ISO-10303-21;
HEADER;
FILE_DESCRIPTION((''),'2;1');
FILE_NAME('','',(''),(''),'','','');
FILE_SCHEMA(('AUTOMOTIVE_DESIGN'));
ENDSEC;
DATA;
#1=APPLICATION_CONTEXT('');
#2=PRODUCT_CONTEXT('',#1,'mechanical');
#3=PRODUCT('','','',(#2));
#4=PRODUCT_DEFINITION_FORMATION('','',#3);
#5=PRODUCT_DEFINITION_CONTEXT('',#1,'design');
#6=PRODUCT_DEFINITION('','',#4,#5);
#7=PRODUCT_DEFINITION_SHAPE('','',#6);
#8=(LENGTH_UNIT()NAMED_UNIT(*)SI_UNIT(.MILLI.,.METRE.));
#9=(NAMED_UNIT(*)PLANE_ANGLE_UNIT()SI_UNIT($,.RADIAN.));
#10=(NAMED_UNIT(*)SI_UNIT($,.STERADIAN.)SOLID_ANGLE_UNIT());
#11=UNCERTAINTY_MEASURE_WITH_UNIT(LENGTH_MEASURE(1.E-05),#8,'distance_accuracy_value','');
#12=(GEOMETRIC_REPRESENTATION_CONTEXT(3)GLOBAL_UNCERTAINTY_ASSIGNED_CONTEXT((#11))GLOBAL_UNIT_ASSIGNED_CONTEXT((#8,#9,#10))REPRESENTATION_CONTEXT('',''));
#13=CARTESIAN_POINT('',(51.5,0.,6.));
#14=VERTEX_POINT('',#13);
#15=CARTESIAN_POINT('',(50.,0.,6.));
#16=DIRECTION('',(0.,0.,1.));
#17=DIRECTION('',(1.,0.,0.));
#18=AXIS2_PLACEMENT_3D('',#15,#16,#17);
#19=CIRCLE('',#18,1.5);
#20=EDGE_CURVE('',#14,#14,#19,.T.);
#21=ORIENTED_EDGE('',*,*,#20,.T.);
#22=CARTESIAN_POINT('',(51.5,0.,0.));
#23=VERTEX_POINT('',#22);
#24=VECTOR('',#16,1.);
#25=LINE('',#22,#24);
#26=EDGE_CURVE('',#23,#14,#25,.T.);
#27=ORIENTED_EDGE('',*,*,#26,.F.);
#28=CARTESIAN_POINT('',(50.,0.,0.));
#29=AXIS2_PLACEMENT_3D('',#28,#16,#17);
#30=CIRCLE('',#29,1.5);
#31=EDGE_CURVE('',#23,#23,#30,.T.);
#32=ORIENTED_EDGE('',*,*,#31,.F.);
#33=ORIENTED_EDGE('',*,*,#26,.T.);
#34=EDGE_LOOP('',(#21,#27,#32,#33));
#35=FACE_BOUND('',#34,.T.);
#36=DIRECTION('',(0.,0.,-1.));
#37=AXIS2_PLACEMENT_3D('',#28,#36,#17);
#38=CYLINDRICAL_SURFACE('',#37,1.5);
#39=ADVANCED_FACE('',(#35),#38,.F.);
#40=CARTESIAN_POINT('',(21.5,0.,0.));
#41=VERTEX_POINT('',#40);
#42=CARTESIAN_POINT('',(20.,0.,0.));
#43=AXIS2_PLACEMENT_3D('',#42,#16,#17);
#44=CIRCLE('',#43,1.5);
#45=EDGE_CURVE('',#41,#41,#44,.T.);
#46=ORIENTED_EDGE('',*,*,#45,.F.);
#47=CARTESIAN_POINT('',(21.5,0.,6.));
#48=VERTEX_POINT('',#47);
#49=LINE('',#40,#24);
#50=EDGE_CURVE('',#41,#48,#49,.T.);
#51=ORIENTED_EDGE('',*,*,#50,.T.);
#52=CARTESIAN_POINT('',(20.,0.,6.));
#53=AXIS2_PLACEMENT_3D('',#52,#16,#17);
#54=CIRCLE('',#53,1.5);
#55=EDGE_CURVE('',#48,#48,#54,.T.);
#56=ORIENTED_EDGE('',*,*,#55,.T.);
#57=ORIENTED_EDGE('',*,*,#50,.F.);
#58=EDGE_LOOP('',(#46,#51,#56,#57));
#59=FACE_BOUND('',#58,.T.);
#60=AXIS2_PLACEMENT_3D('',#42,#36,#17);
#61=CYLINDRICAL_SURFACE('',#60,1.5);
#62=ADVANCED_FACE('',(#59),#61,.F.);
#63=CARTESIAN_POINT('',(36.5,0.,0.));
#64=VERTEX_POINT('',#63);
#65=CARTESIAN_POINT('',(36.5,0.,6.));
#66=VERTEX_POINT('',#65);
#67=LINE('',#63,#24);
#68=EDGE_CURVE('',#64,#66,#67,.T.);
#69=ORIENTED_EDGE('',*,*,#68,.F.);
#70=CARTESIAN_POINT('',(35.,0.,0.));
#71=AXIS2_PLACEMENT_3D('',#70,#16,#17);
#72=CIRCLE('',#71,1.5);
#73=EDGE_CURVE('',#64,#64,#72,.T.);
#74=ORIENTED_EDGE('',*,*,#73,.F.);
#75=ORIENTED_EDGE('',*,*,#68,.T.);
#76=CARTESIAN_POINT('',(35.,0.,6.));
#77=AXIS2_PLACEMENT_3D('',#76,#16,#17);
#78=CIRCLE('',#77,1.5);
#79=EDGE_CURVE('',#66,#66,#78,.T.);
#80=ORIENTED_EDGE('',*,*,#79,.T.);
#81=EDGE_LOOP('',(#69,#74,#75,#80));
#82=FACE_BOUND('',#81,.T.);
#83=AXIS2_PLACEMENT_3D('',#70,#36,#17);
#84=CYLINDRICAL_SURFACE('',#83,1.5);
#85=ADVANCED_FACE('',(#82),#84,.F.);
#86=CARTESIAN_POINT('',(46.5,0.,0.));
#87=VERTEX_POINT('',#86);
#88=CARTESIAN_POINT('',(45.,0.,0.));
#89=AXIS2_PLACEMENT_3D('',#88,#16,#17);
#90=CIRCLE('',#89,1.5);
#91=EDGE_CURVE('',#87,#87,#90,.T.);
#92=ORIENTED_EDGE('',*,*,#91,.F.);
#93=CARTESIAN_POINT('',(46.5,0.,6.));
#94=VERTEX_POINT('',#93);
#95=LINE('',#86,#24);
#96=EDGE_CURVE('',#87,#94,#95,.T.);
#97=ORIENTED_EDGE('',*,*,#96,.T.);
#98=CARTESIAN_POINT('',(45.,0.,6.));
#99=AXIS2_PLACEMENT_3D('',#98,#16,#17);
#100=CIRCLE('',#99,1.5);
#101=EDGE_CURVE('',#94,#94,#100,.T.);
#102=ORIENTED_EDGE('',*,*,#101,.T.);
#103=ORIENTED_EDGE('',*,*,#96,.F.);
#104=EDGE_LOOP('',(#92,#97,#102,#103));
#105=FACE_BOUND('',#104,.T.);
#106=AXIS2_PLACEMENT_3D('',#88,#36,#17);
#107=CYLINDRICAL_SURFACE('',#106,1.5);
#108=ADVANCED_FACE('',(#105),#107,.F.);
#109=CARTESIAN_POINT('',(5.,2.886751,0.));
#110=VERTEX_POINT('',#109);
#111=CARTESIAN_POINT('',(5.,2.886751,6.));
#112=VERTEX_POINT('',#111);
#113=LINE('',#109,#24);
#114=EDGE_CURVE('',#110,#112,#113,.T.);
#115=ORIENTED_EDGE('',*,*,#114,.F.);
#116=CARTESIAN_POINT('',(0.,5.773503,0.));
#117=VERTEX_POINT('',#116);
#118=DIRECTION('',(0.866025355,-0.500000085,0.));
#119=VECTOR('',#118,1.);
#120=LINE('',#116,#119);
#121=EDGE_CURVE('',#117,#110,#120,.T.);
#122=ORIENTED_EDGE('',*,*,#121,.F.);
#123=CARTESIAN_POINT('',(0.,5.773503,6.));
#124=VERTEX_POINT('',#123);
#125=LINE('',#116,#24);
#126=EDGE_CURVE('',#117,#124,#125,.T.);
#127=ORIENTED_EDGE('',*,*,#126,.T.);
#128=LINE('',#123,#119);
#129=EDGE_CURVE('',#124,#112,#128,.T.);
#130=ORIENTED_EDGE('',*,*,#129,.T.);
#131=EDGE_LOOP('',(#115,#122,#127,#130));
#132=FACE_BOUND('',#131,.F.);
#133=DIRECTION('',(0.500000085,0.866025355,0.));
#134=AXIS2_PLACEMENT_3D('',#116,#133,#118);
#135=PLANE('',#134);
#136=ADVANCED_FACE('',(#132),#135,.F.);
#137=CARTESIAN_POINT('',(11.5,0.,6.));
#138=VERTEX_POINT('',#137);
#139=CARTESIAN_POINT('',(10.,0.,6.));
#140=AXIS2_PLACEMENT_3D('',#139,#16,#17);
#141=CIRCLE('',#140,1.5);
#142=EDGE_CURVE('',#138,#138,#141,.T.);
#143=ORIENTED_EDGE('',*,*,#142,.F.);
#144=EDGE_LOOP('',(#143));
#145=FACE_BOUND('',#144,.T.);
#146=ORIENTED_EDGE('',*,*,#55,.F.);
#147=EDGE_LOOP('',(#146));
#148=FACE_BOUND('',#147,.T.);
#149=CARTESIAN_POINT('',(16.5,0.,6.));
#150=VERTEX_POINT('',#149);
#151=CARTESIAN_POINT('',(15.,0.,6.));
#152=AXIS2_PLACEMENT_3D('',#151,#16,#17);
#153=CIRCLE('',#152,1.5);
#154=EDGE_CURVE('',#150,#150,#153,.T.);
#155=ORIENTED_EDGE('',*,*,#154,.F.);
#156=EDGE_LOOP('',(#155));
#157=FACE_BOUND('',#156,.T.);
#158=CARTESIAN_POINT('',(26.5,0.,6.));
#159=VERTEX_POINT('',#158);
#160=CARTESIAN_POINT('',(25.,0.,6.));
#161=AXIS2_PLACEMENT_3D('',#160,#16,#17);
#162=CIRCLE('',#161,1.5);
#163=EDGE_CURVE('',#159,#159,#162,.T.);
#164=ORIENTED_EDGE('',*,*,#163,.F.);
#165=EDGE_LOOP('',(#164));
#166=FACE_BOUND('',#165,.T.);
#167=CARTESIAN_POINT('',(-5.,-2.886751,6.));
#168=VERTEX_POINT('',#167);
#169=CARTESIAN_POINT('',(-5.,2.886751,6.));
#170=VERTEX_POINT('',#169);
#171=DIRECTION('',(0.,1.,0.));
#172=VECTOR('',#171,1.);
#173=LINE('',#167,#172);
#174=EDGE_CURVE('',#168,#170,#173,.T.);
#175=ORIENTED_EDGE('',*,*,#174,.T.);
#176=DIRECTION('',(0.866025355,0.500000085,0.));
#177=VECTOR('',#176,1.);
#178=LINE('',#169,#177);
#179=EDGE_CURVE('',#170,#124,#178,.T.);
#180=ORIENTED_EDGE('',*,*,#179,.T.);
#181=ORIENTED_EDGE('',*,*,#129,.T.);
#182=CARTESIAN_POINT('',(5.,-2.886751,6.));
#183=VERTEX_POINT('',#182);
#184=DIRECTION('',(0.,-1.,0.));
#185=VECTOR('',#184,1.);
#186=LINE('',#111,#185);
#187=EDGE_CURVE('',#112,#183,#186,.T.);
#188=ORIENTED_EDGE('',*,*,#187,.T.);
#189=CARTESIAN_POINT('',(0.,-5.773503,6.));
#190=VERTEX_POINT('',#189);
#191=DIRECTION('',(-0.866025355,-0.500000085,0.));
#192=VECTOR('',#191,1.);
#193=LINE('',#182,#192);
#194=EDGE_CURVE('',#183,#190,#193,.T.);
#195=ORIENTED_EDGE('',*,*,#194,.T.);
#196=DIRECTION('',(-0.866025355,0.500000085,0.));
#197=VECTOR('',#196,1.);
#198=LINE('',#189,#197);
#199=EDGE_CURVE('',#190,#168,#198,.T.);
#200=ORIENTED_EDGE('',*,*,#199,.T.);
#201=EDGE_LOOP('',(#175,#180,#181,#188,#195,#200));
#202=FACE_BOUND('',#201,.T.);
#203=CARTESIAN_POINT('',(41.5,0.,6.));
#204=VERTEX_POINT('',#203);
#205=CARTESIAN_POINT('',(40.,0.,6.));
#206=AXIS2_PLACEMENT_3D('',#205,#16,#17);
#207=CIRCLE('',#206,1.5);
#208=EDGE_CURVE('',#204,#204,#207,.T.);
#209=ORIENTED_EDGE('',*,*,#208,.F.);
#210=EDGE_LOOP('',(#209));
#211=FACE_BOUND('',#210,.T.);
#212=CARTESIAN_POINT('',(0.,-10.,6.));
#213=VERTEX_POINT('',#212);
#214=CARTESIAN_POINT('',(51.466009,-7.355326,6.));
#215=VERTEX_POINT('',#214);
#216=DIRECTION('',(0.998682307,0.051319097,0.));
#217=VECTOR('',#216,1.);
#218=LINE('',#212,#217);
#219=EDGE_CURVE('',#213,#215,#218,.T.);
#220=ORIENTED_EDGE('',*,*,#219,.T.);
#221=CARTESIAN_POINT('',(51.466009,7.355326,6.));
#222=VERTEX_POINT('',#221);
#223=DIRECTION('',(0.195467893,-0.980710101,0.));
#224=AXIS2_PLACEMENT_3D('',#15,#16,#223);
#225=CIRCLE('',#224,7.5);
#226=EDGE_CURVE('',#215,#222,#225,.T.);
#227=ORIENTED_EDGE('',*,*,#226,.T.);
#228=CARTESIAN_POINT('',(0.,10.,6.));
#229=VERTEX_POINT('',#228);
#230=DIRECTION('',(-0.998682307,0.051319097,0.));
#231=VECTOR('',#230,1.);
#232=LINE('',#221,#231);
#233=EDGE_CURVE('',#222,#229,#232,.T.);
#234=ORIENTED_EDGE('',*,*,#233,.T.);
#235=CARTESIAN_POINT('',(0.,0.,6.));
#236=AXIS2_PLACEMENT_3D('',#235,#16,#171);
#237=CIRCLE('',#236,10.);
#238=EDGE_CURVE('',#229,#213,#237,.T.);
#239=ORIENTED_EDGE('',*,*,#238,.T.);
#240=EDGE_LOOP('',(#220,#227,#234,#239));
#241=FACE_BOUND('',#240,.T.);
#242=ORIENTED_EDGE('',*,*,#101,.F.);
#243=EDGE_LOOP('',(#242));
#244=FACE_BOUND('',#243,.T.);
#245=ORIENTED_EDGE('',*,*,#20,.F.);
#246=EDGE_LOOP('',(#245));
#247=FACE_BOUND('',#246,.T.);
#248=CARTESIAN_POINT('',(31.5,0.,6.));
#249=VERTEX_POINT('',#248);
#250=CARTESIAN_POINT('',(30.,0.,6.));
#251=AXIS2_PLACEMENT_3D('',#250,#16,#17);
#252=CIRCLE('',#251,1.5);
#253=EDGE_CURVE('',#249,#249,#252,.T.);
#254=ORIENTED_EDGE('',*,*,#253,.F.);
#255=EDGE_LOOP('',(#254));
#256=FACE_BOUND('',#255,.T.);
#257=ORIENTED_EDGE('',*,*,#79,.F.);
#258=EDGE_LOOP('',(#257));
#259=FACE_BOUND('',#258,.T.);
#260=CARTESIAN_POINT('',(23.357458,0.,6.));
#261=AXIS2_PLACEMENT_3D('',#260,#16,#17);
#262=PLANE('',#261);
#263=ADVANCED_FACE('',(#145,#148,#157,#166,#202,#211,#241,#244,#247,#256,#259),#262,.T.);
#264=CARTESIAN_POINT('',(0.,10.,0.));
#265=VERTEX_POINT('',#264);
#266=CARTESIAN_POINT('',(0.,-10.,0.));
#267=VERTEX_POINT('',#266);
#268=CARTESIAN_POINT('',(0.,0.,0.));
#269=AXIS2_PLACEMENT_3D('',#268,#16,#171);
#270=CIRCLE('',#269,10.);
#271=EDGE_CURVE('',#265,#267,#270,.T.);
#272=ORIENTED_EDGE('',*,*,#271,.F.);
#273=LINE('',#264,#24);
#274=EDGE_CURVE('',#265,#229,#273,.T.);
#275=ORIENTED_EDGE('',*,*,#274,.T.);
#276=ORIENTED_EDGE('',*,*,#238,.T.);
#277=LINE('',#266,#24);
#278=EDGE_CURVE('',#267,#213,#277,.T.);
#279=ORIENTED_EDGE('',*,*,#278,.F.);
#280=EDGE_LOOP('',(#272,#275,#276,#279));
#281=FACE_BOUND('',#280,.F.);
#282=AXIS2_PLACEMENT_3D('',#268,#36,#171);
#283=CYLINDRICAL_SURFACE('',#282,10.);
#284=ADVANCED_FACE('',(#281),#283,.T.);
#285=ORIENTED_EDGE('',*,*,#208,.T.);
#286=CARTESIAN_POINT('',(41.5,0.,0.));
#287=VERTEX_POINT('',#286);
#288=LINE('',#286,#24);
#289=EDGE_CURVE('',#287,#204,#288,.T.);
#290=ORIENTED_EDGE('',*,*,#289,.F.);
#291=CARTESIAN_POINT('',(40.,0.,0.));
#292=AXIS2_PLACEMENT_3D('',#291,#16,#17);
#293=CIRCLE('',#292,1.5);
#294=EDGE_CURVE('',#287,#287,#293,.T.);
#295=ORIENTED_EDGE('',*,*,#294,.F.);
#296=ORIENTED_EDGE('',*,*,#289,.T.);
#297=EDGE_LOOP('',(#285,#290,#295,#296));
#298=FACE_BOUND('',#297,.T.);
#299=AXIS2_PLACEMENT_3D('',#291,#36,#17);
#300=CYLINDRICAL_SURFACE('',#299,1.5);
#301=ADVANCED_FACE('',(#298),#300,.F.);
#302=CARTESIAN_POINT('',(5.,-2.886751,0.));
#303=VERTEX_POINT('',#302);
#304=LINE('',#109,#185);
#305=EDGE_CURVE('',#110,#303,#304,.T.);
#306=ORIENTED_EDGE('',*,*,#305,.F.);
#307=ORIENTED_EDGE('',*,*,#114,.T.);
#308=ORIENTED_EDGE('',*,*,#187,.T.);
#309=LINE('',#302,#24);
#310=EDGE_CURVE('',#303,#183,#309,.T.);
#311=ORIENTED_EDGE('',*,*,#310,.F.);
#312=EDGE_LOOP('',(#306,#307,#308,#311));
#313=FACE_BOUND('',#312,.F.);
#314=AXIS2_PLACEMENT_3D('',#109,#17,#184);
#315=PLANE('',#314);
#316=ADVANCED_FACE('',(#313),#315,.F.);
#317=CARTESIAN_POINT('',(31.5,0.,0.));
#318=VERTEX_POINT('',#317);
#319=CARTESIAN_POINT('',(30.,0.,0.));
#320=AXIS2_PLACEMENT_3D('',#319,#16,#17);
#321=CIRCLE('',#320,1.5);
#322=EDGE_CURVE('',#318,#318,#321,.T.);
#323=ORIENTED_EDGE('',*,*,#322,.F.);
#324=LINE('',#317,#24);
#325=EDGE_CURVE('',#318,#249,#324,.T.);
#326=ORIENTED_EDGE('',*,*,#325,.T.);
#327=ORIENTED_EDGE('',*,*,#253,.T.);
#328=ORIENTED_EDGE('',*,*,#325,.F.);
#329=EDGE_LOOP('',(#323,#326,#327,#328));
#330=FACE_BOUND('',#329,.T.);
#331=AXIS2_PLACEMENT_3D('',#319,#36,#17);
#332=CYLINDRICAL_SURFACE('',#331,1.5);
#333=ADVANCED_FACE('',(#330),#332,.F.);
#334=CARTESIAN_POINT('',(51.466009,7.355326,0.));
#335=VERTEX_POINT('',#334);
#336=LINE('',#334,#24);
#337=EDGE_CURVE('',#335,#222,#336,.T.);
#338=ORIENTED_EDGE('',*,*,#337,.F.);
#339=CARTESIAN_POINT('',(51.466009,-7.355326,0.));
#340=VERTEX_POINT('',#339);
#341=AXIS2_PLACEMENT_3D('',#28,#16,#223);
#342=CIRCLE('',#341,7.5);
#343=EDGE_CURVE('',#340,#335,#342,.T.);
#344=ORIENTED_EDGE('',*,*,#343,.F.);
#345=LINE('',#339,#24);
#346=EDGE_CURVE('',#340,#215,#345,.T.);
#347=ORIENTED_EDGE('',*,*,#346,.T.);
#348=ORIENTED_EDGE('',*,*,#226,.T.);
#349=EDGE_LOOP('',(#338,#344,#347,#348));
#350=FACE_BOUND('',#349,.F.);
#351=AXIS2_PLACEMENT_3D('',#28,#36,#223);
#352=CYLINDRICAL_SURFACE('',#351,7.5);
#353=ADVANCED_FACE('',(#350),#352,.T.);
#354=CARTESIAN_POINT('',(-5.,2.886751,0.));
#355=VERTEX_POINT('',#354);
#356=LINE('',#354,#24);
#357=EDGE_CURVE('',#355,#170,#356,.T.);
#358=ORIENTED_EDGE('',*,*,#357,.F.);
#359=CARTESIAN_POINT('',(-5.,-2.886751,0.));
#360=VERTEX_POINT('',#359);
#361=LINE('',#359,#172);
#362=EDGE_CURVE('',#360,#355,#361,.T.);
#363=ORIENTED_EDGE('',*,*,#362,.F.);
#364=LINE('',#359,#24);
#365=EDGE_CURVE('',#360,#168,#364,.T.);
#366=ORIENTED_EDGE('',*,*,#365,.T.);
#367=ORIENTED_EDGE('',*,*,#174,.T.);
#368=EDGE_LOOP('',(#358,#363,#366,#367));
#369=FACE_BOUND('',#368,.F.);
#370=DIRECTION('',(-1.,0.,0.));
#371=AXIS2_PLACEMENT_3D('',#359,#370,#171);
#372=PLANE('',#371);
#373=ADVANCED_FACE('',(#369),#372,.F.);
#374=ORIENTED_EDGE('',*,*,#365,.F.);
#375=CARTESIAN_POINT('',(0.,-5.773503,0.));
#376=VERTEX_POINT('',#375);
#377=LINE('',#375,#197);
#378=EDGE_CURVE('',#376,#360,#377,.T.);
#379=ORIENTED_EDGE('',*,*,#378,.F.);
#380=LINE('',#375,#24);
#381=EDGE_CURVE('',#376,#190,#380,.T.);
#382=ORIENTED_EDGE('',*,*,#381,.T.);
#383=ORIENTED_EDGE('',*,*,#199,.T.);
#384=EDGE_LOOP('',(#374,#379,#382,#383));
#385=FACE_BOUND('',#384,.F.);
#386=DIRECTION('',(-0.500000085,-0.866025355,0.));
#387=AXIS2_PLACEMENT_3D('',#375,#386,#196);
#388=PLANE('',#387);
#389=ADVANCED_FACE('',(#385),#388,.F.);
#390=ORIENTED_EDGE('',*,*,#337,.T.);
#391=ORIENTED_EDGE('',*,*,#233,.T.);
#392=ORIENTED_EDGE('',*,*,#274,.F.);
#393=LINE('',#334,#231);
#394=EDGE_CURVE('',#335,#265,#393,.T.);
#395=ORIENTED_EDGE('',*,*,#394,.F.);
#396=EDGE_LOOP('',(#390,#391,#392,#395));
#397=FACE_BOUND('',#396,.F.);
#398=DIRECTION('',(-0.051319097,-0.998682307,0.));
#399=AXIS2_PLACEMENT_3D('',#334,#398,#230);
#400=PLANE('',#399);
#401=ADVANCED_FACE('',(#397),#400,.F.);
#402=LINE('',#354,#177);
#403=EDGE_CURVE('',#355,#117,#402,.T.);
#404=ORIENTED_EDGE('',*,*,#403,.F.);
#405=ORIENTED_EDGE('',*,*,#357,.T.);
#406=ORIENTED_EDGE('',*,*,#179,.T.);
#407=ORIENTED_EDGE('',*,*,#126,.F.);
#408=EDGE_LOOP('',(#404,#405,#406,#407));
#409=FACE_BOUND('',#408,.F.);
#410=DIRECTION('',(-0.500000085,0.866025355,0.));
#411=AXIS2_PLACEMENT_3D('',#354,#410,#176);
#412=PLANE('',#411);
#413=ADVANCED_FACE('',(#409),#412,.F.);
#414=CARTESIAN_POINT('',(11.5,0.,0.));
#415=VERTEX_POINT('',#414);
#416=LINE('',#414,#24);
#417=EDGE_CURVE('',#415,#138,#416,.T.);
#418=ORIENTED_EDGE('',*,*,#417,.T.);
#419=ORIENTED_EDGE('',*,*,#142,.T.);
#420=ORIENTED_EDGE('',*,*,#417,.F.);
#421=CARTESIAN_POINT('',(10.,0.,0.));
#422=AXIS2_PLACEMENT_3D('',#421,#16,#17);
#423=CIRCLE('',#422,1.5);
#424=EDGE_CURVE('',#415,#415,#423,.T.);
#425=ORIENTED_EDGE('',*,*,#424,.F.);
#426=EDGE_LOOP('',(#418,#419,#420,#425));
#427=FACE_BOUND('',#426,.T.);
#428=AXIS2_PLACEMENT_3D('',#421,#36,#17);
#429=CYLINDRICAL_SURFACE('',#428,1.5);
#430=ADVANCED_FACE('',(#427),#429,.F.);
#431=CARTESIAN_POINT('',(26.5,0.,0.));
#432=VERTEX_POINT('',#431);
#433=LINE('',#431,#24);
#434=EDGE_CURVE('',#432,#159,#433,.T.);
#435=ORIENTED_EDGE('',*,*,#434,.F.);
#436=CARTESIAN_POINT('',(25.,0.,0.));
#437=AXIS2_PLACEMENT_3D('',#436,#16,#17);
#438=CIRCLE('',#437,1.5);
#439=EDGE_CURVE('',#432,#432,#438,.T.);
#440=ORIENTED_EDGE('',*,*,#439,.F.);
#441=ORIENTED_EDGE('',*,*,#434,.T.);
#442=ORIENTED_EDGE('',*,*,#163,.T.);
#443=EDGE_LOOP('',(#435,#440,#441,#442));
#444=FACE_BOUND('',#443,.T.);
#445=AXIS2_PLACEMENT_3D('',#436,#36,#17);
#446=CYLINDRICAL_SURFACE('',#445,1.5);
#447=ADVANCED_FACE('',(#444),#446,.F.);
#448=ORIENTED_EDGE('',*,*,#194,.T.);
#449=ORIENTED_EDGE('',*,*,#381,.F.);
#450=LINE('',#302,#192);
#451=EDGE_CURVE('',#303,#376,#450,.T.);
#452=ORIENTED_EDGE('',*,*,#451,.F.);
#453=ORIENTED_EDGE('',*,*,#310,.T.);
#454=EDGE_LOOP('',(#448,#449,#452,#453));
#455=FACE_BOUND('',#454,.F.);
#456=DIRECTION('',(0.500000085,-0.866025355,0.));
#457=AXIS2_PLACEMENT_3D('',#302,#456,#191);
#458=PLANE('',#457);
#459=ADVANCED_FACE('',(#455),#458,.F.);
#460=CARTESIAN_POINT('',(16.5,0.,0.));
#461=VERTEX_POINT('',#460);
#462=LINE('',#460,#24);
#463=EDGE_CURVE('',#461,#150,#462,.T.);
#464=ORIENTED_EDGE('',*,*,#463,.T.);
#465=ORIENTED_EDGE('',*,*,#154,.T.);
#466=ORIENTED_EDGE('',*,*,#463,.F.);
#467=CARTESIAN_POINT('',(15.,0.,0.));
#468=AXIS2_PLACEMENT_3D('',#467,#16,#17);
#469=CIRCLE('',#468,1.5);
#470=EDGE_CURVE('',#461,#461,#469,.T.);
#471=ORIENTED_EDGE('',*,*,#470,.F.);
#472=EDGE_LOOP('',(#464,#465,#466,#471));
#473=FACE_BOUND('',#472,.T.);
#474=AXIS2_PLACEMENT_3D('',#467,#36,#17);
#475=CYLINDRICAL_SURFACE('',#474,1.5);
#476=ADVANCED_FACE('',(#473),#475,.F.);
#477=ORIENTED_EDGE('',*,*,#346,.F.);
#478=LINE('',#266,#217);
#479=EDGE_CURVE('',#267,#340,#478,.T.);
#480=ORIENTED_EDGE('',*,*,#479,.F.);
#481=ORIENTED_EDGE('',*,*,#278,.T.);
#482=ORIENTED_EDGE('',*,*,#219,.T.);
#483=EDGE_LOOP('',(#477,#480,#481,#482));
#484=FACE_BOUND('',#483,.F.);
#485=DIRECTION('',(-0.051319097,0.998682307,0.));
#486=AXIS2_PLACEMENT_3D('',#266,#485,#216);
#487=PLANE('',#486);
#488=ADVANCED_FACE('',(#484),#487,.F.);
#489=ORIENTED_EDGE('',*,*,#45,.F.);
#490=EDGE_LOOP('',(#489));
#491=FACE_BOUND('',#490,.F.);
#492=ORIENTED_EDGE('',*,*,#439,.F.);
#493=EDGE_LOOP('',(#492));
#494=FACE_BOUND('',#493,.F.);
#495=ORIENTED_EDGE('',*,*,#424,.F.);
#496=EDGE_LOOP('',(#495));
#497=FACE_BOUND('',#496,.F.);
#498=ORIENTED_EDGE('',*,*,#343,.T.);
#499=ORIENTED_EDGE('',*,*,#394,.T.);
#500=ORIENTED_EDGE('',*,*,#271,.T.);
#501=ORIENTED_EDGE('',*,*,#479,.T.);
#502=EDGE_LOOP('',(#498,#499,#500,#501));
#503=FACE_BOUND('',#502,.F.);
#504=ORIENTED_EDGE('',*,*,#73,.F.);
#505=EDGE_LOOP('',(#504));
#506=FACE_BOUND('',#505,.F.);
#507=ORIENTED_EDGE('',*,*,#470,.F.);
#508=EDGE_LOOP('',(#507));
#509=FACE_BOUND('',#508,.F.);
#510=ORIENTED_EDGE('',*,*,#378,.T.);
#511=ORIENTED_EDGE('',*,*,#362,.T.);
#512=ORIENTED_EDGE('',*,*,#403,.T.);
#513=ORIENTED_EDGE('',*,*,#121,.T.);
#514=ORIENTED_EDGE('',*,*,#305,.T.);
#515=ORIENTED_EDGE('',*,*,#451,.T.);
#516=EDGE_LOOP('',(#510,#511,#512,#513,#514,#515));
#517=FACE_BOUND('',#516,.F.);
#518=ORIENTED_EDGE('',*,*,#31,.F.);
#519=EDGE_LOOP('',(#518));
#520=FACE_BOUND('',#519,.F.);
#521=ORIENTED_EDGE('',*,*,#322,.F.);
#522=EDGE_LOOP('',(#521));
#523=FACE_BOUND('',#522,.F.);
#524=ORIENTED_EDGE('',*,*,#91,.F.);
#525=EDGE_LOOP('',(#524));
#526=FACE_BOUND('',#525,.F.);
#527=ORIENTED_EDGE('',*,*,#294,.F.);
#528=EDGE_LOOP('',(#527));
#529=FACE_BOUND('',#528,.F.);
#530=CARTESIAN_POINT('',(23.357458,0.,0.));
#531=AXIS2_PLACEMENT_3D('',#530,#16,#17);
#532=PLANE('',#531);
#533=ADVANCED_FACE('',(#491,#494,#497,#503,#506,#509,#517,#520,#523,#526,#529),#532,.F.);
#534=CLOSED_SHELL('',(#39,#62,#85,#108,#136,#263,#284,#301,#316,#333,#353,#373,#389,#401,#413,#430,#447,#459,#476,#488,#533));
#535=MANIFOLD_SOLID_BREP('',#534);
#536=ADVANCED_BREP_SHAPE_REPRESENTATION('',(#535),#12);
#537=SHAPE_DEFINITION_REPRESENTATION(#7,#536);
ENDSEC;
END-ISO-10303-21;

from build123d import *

# Parameters (mm, degrees)
F0_R     = 1.5
F1_DEPTH = 6


with BuildPart() as f1:
    # F0 (on Top) → F1 (new body)
    with BuildSketch(Plane.XY):
        with BuildLine():
            Line((51.466009, 7.355326), (0, 10))
            ThreePointArc((0, 10), (-10, 0), (0, -10))
            Line((0, -10), (51.466009, -7.355326))
            ThreePointArc((51.466009, -7.355326), (57.5, 0), (51.466009, 7.355326))
        make_face()
        Polygon((-5, 2.886751), (0, 5.773503), (5, 2.886751), (5, -2.886751), (0, -5.773503), (-5, -2.886751), align=None, mode=Mode.SUBTRACT)
        with Locations((10, 0)):
            Circle(F0_R, mode=Mode.SUBTRACT)
        with Locations((15, 0)):
            Circle(F0_R, mode=Mode.SUBTRACT)
        with Locations((20, 0)):
            Circle(F0_R, mode=Mode.SUBTRACT)
        with Locations((25, 0)):
            Circle(F0_R, mode=Mode.SUBTRACT)
        with Locations((30, 0)):
            Circle(F0_R, mode=Mode.SUBTRACT)
        with Locations((35, 0)):
            Circle(F0_R, mode=Mode.SUBTRACT)
        with Locations((40, 0)):
            Circle(F0_R, mode=Mode.SUBTRACT)
        with Locations((45, 0)):
            Circle(F0_R, mode=Mode.SUBTRACT)
        with Locations((50, 0)):
            Circle(F0_R, mode=Mode.SUBTRACT)
    extrude(amount=F1_DEPTH)


solid = f1.part
